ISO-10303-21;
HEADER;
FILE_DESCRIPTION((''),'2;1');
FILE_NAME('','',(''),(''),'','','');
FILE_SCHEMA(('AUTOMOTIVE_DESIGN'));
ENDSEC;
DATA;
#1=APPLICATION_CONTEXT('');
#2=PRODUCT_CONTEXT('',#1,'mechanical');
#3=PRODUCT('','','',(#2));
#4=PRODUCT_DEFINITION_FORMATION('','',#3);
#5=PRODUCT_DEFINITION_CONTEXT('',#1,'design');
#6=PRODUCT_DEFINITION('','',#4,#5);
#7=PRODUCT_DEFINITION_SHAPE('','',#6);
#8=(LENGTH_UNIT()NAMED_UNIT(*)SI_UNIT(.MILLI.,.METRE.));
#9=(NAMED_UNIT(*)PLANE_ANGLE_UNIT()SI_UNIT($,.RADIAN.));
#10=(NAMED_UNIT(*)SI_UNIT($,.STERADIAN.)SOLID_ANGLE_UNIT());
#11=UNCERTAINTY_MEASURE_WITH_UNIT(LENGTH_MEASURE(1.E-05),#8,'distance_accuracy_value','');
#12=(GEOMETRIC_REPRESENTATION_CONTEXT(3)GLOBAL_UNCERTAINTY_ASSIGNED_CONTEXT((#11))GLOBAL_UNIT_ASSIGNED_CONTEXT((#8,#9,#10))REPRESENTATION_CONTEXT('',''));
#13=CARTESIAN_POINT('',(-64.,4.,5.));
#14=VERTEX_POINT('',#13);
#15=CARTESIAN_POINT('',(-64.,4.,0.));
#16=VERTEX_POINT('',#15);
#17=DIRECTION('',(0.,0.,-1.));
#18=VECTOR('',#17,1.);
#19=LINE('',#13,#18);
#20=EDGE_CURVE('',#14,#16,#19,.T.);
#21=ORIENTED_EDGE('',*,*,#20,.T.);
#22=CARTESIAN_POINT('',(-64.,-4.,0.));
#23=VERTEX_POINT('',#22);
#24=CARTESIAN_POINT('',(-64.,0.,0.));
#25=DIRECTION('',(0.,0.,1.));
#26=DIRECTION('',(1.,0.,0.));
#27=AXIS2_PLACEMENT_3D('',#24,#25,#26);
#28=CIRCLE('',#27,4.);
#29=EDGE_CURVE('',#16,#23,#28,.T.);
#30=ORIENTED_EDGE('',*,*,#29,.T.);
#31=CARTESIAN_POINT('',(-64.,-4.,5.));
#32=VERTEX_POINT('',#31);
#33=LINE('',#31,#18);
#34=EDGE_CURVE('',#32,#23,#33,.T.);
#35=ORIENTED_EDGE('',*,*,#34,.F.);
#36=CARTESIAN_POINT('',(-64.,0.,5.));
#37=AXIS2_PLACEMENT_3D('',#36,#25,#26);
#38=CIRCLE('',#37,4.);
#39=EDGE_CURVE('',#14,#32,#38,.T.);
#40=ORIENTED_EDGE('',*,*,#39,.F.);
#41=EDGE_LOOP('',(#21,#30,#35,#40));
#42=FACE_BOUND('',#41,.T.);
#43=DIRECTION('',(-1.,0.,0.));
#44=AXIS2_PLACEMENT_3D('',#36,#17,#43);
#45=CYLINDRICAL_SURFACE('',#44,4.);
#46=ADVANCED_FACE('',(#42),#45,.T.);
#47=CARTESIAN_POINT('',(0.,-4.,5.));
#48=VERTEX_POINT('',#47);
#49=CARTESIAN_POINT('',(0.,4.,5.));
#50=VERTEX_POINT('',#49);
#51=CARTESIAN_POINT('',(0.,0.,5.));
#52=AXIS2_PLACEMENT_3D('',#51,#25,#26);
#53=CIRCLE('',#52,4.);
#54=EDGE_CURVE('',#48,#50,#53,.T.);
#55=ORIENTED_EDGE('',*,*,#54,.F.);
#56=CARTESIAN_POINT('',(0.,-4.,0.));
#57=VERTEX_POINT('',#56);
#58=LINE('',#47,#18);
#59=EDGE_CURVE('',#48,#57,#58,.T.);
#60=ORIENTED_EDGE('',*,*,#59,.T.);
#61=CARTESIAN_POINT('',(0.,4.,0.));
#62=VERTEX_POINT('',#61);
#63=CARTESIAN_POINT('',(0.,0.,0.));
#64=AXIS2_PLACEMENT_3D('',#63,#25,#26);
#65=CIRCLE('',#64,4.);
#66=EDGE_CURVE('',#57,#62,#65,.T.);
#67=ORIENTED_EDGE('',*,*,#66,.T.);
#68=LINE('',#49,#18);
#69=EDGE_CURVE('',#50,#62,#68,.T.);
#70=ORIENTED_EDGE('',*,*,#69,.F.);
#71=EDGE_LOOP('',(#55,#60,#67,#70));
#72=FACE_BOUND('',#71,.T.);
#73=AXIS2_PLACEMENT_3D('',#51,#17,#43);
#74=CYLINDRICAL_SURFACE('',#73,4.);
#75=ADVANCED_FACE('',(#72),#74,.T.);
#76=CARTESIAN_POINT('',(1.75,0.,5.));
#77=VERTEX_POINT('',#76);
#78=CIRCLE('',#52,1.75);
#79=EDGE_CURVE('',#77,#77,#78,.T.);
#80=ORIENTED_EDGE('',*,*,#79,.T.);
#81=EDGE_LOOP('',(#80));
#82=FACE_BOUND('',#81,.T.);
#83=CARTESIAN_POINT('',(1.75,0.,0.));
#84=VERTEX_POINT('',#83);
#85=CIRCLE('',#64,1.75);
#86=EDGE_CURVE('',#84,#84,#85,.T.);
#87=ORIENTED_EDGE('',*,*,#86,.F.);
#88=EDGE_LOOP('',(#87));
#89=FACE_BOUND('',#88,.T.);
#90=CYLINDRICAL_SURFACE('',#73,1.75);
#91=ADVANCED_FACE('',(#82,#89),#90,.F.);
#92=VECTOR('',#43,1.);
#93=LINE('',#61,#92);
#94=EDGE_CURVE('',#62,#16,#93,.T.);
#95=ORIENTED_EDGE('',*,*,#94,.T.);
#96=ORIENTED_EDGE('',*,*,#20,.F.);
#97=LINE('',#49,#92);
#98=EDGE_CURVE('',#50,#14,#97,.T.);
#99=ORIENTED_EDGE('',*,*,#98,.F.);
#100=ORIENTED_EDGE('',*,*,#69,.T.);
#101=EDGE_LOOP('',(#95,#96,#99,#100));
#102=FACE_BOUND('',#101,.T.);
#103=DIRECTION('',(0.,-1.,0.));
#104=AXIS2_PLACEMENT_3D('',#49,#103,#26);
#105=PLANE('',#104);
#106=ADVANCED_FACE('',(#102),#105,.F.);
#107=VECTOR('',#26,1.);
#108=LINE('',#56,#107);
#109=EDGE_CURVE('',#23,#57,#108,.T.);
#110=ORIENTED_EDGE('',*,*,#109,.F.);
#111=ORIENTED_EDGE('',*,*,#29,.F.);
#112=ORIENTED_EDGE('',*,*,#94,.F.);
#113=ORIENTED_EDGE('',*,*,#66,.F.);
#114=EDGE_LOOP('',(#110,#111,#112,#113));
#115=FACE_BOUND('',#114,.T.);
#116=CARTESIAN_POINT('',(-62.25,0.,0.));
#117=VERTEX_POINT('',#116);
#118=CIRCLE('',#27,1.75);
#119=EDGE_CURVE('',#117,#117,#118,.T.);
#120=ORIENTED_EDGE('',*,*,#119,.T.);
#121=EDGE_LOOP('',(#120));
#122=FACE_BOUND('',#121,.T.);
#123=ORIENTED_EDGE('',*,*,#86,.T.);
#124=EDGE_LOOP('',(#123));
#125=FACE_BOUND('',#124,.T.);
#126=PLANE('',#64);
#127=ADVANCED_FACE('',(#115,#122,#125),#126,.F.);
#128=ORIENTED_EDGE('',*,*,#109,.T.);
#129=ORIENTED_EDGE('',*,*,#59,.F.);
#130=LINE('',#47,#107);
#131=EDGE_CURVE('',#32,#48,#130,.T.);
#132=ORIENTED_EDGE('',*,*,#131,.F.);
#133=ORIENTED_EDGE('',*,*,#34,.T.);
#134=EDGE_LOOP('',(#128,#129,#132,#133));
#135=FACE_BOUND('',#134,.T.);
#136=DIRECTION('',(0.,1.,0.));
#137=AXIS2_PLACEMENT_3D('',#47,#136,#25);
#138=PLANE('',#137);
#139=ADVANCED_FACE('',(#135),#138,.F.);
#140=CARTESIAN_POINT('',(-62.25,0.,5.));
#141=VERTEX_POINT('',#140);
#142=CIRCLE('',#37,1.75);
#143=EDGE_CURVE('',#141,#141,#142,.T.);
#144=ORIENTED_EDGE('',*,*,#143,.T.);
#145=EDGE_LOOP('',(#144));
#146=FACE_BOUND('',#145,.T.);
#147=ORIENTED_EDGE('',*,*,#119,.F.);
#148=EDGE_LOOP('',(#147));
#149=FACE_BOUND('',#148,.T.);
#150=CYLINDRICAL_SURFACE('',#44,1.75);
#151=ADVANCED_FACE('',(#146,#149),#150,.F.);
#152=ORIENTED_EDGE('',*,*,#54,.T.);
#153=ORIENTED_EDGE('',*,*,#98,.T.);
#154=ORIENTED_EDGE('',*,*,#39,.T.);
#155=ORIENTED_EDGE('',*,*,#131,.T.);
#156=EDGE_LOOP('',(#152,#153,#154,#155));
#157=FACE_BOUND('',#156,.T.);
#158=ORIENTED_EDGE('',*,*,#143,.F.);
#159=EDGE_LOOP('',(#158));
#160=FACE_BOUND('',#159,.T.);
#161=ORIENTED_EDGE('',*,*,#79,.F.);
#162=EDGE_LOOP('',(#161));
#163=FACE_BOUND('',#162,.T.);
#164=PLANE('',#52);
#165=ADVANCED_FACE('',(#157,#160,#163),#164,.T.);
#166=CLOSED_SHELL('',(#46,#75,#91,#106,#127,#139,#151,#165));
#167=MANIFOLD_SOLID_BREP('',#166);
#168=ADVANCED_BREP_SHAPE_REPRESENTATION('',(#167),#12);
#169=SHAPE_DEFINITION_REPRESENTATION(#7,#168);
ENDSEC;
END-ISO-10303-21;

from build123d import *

# Parameters (mm, degrees)
SKETCH1_R           = 1.75
BOSS_EXTRUDE1_DEPTH = 5


with BuildPart() as part:
    # Sketch1 → Boss-Extrude1 (new body)
    with BuildSketch(Plane(origin=(0, 0, 0), x_dir=(0, 1, 0), z_dir=(0, 0, 1))):
        with BuildLine():
            Line((-4, 0), (-4, 64))
            ThreePointArc((-4, 64), (0, 68), (4, 64))
            Line((4, 64), (4, 0))
            ThreePointArc((4, 0), (0, -4), (-4, 0))
        make_face()
        with Locations(Location((0, 64, 0), (0, 0, 270))):
            Circle(SKETCH1_R, mode=Mode.SUBTRACT)
        with Locations(Location((0, 0, 0), (0, 0, 270))):
            Circle(SKETCH1_R, mode=Mode.SUBTRACT)
    extrude(amount=BOSS_EXTRUDE1_DEPTH)


solid = part.part
